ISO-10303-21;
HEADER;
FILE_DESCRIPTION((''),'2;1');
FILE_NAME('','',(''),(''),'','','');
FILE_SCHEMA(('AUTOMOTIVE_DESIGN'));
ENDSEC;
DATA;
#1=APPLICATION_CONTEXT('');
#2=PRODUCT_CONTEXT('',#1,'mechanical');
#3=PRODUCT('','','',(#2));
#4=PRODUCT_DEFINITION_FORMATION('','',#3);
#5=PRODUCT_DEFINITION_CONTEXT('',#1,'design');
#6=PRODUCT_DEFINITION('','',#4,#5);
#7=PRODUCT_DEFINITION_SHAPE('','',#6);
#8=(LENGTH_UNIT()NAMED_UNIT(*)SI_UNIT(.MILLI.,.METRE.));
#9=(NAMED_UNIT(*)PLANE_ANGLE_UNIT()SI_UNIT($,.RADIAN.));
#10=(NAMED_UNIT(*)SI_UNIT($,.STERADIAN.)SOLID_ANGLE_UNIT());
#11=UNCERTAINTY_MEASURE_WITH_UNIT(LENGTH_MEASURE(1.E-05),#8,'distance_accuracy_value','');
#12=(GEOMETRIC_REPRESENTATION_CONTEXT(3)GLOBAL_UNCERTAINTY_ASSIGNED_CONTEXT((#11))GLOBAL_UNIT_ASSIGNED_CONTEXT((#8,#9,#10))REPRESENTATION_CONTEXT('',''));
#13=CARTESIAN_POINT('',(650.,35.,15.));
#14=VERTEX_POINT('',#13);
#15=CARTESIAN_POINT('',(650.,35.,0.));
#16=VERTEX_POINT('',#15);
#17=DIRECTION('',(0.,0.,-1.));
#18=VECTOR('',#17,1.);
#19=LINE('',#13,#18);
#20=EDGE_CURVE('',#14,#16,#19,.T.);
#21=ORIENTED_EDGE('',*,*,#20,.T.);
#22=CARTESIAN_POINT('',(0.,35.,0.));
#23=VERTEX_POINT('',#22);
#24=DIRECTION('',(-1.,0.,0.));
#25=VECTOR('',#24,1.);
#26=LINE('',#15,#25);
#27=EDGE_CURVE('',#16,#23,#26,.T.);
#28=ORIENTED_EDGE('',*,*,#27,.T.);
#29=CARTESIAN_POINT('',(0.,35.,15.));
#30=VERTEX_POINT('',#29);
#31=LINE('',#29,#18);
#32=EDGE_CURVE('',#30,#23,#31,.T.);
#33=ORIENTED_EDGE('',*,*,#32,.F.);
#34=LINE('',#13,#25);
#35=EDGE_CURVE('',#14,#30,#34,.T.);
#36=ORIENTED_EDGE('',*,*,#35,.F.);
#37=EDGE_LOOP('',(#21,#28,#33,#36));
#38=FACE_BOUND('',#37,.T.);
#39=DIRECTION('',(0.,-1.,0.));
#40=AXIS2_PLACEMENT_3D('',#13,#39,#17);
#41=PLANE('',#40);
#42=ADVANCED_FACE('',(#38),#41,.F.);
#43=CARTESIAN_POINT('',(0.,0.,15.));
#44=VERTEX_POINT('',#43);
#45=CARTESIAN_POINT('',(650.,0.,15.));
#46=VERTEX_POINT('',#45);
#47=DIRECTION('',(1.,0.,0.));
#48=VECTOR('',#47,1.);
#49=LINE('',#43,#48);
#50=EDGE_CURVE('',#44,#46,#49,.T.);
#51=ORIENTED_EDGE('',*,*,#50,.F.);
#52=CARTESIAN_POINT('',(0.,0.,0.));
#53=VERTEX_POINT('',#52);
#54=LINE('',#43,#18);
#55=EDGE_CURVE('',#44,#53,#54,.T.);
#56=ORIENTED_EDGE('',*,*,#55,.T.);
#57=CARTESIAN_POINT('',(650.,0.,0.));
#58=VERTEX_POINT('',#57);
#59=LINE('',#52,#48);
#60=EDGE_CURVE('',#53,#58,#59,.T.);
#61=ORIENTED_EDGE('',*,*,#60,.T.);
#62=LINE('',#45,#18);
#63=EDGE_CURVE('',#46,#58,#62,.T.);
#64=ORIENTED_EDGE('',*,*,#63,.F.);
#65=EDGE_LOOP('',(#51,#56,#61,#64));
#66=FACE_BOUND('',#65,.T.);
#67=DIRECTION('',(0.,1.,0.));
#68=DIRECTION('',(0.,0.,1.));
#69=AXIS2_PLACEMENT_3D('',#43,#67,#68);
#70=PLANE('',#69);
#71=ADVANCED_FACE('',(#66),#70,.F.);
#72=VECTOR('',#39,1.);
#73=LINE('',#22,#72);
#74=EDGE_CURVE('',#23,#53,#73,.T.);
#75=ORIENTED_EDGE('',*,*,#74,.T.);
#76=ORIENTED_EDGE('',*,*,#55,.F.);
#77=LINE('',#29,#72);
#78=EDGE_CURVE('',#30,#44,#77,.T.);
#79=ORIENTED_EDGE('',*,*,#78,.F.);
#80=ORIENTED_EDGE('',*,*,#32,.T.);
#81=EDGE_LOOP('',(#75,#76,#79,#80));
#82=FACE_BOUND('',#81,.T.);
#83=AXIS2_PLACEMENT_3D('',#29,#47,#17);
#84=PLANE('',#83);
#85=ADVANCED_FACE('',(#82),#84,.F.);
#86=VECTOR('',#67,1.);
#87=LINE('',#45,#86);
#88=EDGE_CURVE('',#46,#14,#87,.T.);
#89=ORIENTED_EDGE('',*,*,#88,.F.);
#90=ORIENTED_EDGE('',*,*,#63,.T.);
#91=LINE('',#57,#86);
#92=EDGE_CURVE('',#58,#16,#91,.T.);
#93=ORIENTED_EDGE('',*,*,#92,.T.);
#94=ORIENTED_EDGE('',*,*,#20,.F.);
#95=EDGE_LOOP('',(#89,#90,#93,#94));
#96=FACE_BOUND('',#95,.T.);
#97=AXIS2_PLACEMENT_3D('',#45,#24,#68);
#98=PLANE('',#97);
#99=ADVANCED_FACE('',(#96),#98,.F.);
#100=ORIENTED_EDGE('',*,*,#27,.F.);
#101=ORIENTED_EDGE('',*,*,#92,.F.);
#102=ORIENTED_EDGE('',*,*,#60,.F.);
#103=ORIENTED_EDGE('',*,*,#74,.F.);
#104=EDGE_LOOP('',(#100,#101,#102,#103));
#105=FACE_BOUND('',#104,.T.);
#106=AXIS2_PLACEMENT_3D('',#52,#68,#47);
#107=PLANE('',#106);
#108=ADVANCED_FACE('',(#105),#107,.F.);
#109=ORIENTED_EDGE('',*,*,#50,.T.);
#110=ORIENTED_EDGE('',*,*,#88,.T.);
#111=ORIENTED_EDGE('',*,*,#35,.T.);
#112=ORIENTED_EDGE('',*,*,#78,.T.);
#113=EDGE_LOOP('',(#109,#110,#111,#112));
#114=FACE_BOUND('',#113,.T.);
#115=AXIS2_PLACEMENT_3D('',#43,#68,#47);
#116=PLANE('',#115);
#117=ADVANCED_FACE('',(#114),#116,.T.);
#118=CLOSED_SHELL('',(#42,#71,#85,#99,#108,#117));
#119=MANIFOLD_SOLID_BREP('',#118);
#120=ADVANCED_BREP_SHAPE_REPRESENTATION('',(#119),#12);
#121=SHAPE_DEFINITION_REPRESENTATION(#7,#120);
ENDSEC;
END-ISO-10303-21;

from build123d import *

# Parameters (mm, degrees)
SKETCH_1_W         = 650
SKETCH_1_H         = 35
BLOCKEXTRUDE_DEPTH = 15


with BuildPart() as part:
    # 草图1 → BlockExtrude (new body)
    with BuildSketch(Plane.XY):
        with Locations((325, 17.5)):
            Rectangle(SKETCH_1_W, SKETCH_1_H)
    extrude(amount=BLOCKEXTRUDE_DEPTH)


solid = part.part
